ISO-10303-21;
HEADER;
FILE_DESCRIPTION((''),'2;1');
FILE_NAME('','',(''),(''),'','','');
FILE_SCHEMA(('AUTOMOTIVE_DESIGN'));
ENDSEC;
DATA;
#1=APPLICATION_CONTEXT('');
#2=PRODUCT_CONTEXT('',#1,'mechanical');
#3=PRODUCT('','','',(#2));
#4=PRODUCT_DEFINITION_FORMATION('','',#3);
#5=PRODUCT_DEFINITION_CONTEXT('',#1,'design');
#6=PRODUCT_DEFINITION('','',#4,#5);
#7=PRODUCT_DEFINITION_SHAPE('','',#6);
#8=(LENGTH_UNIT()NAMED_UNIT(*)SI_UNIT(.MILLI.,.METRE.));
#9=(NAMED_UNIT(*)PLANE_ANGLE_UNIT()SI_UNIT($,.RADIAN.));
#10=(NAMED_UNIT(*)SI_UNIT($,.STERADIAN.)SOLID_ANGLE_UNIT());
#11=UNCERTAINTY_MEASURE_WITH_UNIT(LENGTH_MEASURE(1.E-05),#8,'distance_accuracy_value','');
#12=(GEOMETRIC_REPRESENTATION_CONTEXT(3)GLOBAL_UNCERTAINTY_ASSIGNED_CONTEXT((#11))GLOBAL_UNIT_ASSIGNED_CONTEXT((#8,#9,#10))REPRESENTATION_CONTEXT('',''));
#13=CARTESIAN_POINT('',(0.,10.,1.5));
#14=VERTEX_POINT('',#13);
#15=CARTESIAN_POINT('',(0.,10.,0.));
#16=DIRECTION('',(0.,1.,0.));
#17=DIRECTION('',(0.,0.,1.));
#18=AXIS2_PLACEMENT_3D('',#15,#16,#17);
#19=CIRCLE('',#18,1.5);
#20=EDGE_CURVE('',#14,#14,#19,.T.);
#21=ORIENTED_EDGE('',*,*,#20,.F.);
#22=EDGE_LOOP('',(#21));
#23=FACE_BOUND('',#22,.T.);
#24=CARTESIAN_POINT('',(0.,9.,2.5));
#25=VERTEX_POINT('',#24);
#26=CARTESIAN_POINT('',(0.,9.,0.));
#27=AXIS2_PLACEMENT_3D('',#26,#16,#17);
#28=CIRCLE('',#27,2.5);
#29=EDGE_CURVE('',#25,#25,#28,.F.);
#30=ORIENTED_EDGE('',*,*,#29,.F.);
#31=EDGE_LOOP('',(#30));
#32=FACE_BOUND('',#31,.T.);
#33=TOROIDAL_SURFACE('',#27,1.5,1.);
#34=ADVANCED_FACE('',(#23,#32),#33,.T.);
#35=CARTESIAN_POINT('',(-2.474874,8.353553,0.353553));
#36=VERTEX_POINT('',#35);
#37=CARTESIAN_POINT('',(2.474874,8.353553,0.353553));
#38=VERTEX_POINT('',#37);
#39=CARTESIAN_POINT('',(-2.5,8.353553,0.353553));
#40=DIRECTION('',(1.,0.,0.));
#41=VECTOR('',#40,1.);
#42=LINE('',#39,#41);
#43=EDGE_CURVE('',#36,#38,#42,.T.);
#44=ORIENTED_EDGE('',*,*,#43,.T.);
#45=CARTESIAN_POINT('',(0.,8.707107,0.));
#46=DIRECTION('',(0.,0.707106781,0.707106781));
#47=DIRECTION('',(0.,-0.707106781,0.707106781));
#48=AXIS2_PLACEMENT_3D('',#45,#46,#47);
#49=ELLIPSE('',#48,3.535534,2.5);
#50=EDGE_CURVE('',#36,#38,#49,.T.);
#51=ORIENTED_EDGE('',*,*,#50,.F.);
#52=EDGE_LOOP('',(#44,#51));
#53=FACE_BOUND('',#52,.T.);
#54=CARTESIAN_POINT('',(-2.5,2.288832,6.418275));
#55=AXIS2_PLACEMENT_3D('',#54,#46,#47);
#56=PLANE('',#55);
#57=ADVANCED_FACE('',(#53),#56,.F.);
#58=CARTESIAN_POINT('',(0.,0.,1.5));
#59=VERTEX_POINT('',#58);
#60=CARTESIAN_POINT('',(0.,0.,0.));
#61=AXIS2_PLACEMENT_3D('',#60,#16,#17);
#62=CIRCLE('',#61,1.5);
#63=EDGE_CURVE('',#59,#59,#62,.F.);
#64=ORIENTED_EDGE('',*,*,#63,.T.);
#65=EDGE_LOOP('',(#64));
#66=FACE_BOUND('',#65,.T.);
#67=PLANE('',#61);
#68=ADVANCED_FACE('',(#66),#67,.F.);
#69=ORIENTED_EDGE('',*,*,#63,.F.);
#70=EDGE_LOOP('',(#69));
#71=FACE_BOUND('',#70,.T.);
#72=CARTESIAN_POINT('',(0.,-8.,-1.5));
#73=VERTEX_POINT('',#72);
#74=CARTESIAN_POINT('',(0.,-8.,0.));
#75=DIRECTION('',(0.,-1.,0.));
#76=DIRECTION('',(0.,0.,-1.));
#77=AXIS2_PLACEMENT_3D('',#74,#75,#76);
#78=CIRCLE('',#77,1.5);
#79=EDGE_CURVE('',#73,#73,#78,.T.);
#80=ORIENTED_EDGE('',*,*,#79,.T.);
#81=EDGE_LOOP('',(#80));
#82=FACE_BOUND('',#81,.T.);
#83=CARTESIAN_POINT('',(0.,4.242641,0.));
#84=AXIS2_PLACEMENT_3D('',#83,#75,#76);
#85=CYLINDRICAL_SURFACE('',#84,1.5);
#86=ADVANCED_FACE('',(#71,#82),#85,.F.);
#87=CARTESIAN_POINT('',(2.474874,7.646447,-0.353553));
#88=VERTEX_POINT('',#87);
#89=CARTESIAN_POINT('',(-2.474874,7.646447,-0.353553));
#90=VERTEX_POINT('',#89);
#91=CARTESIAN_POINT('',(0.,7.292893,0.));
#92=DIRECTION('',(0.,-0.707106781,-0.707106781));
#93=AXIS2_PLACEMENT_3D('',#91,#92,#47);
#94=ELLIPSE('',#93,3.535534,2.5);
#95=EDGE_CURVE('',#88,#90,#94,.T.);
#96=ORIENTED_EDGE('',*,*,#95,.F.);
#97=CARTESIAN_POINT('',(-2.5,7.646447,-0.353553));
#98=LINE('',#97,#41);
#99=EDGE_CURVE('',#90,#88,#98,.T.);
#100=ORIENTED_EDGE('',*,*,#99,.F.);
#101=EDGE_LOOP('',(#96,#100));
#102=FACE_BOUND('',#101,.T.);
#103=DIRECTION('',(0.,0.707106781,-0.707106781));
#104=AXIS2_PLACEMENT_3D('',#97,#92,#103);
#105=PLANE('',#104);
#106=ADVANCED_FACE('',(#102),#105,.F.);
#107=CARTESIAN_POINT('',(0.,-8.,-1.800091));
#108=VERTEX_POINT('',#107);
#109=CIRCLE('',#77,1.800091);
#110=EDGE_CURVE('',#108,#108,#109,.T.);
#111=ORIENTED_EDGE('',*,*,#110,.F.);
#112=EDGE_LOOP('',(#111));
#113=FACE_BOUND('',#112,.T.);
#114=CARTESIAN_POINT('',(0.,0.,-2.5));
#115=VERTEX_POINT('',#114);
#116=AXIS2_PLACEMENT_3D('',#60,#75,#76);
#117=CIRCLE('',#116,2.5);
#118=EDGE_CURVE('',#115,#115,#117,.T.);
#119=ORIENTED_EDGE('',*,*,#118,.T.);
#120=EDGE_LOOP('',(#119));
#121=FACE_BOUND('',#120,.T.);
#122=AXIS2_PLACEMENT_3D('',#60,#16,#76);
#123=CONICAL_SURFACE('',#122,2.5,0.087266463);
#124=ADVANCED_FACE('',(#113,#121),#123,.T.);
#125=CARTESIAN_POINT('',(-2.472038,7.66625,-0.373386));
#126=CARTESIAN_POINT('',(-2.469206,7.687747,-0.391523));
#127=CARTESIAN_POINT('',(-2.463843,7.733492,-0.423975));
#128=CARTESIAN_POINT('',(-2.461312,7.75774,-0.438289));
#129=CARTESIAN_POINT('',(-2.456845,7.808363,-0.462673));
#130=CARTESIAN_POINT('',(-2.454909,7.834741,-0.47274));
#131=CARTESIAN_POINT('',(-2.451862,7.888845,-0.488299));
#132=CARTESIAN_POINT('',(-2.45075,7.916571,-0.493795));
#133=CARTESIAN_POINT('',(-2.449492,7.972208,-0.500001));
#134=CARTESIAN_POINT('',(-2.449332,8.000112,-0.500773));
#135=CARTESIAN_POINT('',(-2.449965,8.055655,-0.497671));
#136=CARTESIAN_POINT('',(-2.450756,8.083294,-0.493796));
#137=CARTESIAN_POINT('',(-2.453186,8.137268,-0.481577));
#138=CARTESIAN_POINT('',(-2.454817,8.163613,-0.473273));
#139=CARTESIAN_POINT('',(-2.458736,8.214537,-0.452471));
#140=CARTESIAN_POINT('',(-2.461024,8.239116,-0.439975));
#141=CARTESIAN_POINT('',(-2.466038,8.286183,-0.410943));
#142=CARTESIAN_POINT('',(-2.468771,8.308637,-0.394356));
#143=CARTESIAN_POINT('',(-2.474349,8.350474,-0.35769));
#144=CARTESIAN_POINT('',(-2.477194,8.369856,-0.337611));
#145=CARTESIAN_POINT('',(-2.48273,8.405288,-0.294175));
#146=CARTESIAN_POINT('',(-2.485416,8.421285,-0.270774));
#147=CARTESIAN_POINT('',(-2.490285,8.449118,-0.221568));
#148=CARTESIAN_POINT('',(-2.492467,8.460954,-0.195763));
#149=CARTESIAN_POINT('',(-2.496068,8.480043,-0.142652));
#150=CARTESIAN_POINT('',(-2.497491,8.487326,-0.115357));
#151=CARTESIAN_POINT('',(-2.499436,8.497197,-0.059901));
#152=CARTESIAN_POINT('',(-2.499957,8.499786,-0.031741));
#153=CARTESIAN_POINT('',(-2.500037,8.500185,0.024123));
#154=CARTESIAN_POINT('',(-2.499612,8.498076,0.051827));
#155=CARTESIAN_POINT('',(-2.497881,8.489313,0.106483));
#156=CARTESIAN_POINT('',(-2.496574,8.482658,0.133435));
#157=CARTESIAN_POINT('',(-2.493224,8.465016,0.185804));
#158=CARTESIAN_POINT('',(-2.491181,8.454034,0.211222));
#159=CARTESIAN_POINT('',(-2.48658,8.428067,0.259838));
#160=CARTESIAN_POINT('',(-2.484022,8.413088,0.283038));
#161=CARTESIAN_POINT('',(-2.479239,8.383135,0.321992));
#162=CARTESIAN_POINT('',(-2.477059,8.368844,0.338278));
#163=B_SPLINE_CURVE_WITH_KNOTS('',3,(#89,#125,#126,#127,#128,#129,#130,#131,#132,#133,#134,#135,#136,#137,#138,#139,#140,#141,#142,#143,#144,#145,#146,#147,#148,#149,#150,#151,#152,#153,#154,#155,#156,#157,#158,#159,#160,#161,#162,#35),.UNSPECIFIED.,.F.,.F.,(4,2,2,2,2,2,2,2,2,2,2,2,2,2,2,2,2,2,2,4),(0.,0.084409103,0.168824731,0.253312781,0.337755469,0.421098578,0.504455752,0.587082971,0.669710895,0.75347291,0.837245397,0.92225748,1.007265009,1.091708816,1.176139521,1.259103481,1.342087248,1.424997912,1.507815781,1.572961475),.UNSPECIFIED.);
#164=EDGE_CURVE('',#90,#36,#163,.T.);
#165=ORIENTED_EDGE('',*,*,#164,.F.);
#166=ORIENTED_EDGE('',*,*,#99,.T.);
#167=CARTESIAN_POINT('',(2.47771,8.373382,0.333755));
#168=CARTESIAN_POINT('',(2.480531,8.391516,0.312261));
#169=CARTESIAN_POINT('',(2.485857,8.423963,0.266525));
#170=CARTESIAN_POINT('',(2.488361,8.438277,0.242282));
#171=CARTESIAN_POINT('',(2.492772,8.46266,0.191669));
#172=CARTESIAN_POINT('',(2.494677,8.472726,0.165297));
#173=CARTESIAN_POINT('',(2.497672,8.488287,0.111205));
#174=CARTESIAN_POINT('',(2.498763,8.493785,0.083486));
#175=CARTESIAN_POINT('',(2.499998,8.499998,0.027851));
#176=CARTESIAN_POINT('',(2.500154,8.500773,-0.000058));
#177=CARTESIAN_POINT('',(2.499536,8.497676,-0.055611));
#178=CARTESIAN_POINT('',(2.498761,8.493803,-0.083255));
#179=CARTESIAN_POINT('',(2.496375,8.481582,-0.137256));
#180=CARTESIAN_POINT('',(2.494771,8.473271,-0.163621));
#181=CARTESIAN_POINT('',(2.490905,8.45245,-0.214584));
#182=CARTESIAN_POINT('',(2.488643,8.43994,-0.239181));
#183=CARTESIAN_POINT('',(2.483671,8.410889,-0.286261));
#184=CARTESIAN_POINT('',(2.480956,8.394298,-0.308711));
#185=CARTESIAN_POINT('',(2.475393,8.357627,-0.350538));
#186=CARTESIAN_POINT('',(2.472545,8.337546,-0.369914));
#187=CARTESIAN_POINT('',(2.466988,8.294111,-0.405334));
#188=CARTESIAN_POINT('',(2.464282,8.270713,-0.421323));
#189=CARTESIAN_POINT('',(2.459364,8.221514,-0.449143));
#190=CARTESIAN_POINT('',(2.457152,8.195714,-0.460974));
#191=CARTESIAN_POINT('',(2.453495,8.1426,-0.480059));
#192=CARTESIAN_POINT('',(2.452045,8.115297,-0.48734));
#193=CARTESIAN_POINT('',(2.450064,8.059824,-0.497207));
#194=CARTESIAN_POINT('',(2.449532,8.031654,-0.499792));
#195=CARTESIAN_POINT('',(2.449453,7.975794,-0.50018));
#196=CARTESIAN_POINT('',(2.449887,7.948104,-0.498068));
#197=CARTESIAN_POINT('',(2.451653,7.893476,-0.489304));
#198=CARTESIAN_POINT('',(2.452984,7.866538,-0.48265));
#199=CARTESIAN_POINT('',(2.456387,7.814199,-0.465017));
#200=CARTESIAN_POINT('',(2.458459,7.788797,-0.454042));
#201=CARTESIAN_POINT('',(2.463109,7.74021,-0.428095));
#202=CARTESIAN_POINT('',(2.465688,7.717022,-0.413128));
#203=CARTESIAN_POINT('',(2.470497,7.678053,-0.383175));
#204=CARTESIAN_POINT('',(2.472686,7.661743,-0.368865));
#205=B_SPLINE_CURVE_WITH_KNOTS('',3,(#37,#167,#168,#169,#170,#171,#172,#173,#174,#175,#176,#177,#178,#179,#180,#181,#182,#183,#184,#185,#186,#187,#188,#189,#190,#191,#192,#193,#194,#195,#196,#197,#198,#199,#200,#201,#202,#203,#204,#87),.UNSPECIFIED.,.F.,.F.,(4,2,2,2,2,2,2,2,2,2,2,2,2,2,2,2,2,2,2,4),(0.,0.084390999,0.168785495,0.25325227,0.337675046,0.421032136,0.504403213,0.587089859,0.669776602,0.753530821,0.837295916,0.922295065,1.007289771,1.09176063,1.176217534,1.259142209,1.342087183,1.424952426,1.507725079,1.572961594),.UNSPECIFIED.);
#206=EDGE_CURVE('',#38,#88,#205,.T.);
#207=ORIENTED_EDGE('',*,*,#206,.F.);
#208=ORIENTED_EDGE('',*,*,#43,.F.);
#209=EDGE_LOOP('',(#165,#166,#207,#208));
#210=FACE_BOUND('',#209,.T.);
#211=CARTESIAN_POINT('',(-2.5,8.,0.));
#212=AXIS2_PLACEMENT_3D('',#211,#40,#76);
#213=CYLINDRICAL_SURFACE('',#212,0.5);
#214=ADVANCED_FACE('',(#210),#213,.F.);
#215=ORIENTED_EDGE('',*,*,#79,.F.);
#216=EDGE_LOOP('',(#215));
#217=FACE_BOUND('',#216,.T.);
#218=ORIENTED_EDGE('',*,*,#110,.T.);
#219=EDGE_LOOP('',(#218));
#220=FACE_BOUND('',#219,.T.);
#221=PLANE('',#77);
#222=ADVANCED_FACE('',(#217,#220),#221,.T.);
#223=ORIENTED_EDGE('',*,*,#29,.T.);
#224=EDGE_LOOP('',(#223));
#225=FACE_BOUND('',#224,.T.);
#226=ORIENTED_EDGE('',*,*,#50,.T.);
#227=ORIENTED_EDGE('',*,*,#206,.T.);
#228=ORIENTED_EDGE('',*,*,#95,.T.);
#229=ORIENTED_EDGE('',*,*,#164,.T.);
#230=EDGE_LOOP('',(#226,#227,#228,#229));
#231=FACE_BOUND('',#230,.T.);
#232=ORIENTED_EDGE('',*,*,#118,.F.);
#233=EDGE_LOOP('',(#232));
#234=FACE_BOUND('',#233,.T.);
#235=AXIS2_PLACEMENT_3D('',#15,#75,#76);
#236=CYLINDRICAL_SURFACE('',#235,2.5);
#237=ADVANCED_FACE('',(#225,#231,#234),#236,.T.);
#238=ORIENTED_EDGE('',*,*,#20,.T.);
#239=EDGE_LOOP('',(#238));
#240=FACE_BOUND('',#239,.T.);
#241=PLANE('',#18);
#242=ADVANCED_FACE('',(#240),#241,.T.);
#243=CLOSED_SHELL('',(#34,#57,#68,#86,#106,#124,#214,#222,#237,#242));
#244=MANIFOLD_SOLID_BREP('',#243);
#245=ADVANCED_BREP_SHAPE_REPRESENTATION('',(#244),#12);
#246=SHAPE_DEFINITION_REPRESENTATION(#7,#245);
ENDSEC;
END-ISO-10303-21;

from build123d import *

# Parameters (mm, degrees)
SKETCH1_R               = 2.5
BOSS_EXTRUDE1_DEPTH     = 10
SKETCH2_R               = 2.5
BOSS_EXTRUDE2_DEPTH     = 8
BOSS_EXTRUDE2_TAPER     = 5
CUT_EXTRUDE1_START      = -8
SKETCH3_R               = 1.5
CUT_EXTRUDE1_DEPTH      = 8
FILLET1_R               = 1
CUT_EXTRUDE2_DEPTH      = 3.5000001
CUT_EXTRUDE2_DEPTH_BACK = 3.5000001


with BuildPart() as part:
    # Sketch1 → Boss-Extrude1 (new body)
    with BuildSketch(Plane(origin=(0, 0, 0), x_dir=(1, 0, 0), z_dir=(0, 1, 0))):
        Circle(SKETCH1_R)
    extrude(amount=BOSS_EXTRUDE1_DEPTH)

    # Sketch2 → Boss-Extrude2 (add)
    with BuildSketch(Plane.XZ):
        Circle(SKETCH2_R)
    extrude(amount=BOSS_EXTRUDE2_DEPTH, taper=BOSS_EXTRUDE2_TAPER)

    # Sketch3 → Cut-Extrude1 (cut)
    with BuildSketch(Plane.XZ.offset(8).offset(CUT_EXTRUDE1_START)):
        Circle(SKETCH3_R)
    extrude(amount=CUT_EXTRUDE1_DEPTH, mode=Mode.SUBTRACT)

    # Fillet1
    fillet1_edges = [part.edges().sort_by_distance(p)[0] for p in [
        (-2.5, 10, 0),
    ]]
    fillet(fillet1_edges, radius=FILLET1_R)

    # Sketch4 → Cut-Extrude2 (cut, two sides)
    with BuildSketch(Plane(origin=(0, 0, 0), x_dir=(0, 0, -1), z_dir=(1, 0, 0))) as cut_extrude2_sk:
        with BuildLine():
            Line((0.353553391, 7.646446609), (-6.418274977, 0.874618242))
            Line((-6.418274977, 0.874618242), (-6.418274977, 2.288831805))
            Line((-6.418274977, 2.288831805), (-0.353553391, 8.353553391))
            ThreePointArc((-0.353553391, 8.353553391), (0.353553391, 8.353553391), (0.353553391, 7.646446609))
        make_face()
    extrude(amount=CUT_EXTRUDE2_DEPTH, mode=Mode.SUBTRACT)
    extrude(cut_extrude2_sk.sketch, amount=-CUT_EXTRUDE2_DEPTH_BACK, mode=Mode.SUBTRACT)


solid = part.part
